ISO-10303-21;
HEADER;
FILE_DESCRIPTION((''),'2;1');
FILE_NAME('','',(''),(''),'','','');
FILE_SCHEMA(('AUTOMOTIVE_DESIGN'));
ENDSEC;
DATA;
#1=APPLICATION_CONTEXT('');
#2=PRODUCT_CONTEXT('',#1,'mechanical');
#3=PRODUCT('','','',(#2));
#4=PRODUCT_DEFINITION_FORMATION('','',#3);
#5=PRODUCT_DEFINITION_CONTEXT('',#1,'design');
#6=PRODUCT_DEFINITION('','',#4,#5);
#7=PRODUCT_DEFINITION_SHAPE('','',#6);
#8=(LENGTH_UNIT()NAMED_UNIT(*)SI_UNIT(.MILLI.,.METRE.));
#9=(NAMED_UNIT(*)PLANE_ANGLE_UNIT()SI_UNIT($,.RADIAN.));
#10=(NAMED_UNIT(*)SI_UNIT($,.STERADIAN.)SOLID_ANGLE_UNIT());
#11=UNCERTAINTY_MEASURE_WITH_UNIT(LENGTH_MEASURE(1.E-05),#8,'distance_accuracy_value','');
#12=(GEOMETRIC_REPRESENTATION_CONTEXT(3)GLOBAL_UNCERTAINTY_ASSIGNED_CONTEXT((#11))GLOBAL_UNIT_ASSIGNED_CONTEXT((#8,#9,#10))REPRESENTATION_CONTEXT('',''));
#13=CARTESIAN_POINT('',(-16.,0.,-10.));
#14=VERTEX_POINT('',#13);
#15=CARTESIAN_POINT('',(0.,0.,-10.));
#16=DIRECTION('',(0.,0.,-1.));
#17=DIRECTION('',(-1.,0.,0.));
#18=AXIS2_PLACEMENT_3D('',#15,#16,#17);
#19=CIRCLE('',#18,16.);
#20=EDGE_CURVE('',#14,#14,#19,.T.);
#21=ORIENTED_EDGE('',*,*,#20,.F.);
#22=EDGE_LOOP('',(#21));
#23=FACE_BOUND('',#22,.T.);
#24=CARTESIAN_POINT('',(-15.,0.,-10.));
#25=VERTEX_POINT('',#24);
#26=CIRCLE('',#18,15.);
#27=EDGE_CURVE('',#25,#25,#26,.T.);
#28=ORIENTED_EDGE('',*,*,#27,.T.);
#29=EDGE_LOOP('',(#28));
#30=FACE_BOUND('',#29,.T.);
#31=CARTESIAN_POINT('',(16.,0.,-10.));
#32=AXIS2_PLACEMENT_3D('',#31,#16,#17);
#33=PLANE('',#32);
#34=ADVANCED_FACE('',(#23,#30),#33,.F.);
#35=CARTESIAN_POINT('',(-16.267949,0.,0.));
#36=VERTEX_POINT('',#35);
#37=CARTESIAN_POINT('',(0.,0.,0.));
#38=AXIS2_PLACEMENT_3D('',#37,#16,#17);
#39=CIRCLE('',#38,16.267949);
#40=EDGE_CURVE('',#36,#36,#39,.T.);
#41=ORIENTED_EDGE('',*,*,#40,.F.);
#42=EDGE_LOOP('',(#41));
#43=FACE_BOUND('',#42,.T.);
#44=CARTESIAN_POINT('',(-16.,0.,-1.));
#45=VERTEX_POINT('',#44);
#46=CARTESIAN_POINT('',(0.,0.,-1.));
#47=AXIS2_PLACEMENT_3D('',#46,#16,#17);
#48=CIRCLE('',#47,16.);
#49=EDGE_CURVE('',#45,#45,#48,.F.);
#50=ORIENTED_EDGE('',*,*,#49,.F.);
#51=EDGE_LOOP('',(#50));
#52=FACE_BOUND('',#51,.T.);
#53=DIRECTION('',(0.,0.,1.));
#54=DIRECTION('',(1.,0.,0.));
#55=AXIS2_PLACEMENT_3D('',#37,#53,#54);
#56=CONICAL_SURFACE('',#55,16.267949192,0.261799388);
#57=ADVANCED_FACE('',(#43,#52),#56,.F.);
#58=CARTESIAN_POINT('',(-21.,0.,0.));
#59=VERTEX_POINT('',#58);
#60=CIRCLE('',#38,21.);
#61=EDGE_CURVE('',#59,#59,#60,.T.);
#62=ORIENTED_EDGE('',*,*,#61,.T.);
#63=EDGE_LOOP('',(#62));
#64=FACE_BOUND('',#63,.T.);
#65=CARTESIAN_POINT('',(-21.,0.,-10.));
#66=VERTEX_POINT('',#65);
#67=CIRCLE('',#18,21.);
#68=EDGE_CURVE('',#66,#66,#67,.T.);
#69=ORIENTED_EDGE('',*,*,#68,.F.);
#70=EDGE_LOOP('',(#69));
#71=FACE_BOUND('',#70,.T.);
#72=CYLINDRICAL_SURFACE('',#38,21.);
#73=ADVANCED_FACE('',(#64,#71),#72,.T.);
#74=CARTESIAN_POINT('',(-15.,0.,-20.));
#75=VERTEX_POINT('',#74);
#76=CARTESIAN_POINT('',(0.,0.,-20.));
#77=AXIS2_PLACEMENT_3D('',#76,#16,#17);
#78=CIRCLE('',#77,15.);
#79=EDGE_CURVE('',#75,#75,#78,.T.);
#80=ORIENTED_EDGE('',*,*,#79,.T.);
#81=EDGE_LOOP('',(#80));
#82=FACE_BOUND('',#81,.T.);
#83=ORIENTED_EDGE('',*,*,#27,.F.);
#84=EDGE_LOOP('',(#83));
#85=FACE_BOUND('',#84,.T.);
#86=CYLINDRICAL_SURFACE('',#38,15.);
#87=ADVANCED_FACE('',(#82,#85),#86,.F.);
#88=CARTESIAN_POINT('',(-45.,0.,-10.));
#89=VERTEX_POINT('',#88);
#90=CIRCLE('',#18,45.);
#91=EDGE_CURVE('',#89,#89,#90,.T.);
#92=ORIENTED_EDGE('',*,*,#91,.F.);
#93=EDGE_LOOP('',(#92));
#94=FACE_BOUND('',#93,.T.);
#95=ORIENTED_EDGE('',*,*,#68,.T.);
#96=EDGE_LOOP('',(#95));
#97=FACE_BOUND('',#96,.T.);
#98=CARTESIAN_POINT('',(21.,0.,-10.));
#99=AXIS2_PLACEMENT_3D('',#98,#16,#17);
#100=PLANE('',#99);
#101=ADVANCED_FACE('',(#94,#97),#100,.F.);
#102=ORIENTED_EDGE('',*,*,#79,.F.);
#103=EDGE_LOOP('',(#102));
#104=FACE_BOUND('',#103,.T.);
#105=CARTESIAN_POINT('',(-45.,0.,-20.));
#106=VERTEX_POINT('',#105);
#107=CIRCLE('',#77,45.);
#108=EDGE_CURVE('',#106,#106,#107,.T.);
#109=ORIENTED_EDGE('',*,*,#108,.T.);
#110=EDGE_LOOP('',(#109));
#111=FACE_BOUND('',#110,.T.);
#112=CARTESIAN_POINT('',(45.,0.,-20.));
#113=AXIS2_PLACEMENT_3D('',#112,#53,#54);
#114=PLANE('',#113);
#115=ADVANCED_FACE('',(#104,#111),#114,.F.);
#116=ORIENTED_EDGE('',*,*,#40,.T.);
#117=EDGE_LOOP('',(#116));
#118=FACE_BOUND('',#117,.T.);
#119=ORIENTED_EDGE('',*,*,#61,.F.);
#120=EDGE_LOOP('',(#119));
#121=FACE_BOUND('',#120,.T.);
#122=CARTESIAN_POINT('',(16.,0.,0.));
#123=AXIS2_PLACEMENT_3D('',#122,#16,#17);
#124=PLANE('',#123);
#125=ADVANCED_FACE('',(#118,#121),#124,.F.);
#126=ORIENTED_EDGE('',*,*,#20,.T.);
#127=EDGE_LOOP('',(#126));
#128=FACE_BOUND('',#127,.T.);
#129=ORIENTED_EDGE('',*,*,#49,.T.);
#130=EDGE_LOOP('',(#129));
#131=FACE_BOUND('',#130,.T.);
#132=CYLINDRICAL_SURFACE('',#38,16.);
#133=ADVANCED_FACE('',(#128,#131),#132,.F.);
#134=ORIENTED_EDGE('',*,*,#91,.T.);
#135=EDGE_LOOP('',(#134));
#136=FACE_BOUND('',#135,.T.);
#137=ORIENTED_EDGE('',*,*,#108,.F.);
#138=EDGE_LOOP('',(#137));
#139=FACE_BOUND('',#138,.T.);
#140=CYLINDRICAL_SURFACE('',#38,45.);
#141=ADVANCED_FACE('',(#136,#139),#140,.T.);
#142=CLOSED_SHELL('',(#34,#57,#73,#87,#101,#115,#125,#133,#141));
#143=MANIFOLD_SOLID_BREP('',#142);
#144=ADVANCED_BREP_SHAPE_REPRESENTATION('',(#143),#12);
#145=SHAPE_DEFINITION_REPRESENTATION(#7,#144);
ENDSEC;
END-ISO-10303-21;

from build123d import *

# Parameters (mm, degrees)
CHAMFER1_SIZE  = 1
CHAMFER1_SIZE2 = 0.267949192


with BuildPart() as part:
    # Sketch1 → Revolve1 (revolve)
    with BuildSketch(Plane(origin=(0, 0, 0), x_dir=(1, 0, 0), z_dir=(0, 1, 0))):
        Polygon((16, 0), (16, 10), (15, 10), (15, 20), (45, 20), (45, 10), (21, 10), (21, 0), align=None)
    revolve(axis=Axis((0, 0, 0), (0, 0, 1)))

    # Chamfer1
    chamfer1_edges = [part.edges().sort_by_distance(p)[0] for p in [
        (-16, 0, 0),
    ]]
    chamfer1_side = [part.faces().sort_by_distance(p)[0] for p in [
        (-16, 0, -5),
    ]]
    chamfer(chamfer1_edges, length=CHAMFER1_SIZE, length2=CHAMFER1_SIZE2, reference=chamfer1_side[0])


solid = part.part
